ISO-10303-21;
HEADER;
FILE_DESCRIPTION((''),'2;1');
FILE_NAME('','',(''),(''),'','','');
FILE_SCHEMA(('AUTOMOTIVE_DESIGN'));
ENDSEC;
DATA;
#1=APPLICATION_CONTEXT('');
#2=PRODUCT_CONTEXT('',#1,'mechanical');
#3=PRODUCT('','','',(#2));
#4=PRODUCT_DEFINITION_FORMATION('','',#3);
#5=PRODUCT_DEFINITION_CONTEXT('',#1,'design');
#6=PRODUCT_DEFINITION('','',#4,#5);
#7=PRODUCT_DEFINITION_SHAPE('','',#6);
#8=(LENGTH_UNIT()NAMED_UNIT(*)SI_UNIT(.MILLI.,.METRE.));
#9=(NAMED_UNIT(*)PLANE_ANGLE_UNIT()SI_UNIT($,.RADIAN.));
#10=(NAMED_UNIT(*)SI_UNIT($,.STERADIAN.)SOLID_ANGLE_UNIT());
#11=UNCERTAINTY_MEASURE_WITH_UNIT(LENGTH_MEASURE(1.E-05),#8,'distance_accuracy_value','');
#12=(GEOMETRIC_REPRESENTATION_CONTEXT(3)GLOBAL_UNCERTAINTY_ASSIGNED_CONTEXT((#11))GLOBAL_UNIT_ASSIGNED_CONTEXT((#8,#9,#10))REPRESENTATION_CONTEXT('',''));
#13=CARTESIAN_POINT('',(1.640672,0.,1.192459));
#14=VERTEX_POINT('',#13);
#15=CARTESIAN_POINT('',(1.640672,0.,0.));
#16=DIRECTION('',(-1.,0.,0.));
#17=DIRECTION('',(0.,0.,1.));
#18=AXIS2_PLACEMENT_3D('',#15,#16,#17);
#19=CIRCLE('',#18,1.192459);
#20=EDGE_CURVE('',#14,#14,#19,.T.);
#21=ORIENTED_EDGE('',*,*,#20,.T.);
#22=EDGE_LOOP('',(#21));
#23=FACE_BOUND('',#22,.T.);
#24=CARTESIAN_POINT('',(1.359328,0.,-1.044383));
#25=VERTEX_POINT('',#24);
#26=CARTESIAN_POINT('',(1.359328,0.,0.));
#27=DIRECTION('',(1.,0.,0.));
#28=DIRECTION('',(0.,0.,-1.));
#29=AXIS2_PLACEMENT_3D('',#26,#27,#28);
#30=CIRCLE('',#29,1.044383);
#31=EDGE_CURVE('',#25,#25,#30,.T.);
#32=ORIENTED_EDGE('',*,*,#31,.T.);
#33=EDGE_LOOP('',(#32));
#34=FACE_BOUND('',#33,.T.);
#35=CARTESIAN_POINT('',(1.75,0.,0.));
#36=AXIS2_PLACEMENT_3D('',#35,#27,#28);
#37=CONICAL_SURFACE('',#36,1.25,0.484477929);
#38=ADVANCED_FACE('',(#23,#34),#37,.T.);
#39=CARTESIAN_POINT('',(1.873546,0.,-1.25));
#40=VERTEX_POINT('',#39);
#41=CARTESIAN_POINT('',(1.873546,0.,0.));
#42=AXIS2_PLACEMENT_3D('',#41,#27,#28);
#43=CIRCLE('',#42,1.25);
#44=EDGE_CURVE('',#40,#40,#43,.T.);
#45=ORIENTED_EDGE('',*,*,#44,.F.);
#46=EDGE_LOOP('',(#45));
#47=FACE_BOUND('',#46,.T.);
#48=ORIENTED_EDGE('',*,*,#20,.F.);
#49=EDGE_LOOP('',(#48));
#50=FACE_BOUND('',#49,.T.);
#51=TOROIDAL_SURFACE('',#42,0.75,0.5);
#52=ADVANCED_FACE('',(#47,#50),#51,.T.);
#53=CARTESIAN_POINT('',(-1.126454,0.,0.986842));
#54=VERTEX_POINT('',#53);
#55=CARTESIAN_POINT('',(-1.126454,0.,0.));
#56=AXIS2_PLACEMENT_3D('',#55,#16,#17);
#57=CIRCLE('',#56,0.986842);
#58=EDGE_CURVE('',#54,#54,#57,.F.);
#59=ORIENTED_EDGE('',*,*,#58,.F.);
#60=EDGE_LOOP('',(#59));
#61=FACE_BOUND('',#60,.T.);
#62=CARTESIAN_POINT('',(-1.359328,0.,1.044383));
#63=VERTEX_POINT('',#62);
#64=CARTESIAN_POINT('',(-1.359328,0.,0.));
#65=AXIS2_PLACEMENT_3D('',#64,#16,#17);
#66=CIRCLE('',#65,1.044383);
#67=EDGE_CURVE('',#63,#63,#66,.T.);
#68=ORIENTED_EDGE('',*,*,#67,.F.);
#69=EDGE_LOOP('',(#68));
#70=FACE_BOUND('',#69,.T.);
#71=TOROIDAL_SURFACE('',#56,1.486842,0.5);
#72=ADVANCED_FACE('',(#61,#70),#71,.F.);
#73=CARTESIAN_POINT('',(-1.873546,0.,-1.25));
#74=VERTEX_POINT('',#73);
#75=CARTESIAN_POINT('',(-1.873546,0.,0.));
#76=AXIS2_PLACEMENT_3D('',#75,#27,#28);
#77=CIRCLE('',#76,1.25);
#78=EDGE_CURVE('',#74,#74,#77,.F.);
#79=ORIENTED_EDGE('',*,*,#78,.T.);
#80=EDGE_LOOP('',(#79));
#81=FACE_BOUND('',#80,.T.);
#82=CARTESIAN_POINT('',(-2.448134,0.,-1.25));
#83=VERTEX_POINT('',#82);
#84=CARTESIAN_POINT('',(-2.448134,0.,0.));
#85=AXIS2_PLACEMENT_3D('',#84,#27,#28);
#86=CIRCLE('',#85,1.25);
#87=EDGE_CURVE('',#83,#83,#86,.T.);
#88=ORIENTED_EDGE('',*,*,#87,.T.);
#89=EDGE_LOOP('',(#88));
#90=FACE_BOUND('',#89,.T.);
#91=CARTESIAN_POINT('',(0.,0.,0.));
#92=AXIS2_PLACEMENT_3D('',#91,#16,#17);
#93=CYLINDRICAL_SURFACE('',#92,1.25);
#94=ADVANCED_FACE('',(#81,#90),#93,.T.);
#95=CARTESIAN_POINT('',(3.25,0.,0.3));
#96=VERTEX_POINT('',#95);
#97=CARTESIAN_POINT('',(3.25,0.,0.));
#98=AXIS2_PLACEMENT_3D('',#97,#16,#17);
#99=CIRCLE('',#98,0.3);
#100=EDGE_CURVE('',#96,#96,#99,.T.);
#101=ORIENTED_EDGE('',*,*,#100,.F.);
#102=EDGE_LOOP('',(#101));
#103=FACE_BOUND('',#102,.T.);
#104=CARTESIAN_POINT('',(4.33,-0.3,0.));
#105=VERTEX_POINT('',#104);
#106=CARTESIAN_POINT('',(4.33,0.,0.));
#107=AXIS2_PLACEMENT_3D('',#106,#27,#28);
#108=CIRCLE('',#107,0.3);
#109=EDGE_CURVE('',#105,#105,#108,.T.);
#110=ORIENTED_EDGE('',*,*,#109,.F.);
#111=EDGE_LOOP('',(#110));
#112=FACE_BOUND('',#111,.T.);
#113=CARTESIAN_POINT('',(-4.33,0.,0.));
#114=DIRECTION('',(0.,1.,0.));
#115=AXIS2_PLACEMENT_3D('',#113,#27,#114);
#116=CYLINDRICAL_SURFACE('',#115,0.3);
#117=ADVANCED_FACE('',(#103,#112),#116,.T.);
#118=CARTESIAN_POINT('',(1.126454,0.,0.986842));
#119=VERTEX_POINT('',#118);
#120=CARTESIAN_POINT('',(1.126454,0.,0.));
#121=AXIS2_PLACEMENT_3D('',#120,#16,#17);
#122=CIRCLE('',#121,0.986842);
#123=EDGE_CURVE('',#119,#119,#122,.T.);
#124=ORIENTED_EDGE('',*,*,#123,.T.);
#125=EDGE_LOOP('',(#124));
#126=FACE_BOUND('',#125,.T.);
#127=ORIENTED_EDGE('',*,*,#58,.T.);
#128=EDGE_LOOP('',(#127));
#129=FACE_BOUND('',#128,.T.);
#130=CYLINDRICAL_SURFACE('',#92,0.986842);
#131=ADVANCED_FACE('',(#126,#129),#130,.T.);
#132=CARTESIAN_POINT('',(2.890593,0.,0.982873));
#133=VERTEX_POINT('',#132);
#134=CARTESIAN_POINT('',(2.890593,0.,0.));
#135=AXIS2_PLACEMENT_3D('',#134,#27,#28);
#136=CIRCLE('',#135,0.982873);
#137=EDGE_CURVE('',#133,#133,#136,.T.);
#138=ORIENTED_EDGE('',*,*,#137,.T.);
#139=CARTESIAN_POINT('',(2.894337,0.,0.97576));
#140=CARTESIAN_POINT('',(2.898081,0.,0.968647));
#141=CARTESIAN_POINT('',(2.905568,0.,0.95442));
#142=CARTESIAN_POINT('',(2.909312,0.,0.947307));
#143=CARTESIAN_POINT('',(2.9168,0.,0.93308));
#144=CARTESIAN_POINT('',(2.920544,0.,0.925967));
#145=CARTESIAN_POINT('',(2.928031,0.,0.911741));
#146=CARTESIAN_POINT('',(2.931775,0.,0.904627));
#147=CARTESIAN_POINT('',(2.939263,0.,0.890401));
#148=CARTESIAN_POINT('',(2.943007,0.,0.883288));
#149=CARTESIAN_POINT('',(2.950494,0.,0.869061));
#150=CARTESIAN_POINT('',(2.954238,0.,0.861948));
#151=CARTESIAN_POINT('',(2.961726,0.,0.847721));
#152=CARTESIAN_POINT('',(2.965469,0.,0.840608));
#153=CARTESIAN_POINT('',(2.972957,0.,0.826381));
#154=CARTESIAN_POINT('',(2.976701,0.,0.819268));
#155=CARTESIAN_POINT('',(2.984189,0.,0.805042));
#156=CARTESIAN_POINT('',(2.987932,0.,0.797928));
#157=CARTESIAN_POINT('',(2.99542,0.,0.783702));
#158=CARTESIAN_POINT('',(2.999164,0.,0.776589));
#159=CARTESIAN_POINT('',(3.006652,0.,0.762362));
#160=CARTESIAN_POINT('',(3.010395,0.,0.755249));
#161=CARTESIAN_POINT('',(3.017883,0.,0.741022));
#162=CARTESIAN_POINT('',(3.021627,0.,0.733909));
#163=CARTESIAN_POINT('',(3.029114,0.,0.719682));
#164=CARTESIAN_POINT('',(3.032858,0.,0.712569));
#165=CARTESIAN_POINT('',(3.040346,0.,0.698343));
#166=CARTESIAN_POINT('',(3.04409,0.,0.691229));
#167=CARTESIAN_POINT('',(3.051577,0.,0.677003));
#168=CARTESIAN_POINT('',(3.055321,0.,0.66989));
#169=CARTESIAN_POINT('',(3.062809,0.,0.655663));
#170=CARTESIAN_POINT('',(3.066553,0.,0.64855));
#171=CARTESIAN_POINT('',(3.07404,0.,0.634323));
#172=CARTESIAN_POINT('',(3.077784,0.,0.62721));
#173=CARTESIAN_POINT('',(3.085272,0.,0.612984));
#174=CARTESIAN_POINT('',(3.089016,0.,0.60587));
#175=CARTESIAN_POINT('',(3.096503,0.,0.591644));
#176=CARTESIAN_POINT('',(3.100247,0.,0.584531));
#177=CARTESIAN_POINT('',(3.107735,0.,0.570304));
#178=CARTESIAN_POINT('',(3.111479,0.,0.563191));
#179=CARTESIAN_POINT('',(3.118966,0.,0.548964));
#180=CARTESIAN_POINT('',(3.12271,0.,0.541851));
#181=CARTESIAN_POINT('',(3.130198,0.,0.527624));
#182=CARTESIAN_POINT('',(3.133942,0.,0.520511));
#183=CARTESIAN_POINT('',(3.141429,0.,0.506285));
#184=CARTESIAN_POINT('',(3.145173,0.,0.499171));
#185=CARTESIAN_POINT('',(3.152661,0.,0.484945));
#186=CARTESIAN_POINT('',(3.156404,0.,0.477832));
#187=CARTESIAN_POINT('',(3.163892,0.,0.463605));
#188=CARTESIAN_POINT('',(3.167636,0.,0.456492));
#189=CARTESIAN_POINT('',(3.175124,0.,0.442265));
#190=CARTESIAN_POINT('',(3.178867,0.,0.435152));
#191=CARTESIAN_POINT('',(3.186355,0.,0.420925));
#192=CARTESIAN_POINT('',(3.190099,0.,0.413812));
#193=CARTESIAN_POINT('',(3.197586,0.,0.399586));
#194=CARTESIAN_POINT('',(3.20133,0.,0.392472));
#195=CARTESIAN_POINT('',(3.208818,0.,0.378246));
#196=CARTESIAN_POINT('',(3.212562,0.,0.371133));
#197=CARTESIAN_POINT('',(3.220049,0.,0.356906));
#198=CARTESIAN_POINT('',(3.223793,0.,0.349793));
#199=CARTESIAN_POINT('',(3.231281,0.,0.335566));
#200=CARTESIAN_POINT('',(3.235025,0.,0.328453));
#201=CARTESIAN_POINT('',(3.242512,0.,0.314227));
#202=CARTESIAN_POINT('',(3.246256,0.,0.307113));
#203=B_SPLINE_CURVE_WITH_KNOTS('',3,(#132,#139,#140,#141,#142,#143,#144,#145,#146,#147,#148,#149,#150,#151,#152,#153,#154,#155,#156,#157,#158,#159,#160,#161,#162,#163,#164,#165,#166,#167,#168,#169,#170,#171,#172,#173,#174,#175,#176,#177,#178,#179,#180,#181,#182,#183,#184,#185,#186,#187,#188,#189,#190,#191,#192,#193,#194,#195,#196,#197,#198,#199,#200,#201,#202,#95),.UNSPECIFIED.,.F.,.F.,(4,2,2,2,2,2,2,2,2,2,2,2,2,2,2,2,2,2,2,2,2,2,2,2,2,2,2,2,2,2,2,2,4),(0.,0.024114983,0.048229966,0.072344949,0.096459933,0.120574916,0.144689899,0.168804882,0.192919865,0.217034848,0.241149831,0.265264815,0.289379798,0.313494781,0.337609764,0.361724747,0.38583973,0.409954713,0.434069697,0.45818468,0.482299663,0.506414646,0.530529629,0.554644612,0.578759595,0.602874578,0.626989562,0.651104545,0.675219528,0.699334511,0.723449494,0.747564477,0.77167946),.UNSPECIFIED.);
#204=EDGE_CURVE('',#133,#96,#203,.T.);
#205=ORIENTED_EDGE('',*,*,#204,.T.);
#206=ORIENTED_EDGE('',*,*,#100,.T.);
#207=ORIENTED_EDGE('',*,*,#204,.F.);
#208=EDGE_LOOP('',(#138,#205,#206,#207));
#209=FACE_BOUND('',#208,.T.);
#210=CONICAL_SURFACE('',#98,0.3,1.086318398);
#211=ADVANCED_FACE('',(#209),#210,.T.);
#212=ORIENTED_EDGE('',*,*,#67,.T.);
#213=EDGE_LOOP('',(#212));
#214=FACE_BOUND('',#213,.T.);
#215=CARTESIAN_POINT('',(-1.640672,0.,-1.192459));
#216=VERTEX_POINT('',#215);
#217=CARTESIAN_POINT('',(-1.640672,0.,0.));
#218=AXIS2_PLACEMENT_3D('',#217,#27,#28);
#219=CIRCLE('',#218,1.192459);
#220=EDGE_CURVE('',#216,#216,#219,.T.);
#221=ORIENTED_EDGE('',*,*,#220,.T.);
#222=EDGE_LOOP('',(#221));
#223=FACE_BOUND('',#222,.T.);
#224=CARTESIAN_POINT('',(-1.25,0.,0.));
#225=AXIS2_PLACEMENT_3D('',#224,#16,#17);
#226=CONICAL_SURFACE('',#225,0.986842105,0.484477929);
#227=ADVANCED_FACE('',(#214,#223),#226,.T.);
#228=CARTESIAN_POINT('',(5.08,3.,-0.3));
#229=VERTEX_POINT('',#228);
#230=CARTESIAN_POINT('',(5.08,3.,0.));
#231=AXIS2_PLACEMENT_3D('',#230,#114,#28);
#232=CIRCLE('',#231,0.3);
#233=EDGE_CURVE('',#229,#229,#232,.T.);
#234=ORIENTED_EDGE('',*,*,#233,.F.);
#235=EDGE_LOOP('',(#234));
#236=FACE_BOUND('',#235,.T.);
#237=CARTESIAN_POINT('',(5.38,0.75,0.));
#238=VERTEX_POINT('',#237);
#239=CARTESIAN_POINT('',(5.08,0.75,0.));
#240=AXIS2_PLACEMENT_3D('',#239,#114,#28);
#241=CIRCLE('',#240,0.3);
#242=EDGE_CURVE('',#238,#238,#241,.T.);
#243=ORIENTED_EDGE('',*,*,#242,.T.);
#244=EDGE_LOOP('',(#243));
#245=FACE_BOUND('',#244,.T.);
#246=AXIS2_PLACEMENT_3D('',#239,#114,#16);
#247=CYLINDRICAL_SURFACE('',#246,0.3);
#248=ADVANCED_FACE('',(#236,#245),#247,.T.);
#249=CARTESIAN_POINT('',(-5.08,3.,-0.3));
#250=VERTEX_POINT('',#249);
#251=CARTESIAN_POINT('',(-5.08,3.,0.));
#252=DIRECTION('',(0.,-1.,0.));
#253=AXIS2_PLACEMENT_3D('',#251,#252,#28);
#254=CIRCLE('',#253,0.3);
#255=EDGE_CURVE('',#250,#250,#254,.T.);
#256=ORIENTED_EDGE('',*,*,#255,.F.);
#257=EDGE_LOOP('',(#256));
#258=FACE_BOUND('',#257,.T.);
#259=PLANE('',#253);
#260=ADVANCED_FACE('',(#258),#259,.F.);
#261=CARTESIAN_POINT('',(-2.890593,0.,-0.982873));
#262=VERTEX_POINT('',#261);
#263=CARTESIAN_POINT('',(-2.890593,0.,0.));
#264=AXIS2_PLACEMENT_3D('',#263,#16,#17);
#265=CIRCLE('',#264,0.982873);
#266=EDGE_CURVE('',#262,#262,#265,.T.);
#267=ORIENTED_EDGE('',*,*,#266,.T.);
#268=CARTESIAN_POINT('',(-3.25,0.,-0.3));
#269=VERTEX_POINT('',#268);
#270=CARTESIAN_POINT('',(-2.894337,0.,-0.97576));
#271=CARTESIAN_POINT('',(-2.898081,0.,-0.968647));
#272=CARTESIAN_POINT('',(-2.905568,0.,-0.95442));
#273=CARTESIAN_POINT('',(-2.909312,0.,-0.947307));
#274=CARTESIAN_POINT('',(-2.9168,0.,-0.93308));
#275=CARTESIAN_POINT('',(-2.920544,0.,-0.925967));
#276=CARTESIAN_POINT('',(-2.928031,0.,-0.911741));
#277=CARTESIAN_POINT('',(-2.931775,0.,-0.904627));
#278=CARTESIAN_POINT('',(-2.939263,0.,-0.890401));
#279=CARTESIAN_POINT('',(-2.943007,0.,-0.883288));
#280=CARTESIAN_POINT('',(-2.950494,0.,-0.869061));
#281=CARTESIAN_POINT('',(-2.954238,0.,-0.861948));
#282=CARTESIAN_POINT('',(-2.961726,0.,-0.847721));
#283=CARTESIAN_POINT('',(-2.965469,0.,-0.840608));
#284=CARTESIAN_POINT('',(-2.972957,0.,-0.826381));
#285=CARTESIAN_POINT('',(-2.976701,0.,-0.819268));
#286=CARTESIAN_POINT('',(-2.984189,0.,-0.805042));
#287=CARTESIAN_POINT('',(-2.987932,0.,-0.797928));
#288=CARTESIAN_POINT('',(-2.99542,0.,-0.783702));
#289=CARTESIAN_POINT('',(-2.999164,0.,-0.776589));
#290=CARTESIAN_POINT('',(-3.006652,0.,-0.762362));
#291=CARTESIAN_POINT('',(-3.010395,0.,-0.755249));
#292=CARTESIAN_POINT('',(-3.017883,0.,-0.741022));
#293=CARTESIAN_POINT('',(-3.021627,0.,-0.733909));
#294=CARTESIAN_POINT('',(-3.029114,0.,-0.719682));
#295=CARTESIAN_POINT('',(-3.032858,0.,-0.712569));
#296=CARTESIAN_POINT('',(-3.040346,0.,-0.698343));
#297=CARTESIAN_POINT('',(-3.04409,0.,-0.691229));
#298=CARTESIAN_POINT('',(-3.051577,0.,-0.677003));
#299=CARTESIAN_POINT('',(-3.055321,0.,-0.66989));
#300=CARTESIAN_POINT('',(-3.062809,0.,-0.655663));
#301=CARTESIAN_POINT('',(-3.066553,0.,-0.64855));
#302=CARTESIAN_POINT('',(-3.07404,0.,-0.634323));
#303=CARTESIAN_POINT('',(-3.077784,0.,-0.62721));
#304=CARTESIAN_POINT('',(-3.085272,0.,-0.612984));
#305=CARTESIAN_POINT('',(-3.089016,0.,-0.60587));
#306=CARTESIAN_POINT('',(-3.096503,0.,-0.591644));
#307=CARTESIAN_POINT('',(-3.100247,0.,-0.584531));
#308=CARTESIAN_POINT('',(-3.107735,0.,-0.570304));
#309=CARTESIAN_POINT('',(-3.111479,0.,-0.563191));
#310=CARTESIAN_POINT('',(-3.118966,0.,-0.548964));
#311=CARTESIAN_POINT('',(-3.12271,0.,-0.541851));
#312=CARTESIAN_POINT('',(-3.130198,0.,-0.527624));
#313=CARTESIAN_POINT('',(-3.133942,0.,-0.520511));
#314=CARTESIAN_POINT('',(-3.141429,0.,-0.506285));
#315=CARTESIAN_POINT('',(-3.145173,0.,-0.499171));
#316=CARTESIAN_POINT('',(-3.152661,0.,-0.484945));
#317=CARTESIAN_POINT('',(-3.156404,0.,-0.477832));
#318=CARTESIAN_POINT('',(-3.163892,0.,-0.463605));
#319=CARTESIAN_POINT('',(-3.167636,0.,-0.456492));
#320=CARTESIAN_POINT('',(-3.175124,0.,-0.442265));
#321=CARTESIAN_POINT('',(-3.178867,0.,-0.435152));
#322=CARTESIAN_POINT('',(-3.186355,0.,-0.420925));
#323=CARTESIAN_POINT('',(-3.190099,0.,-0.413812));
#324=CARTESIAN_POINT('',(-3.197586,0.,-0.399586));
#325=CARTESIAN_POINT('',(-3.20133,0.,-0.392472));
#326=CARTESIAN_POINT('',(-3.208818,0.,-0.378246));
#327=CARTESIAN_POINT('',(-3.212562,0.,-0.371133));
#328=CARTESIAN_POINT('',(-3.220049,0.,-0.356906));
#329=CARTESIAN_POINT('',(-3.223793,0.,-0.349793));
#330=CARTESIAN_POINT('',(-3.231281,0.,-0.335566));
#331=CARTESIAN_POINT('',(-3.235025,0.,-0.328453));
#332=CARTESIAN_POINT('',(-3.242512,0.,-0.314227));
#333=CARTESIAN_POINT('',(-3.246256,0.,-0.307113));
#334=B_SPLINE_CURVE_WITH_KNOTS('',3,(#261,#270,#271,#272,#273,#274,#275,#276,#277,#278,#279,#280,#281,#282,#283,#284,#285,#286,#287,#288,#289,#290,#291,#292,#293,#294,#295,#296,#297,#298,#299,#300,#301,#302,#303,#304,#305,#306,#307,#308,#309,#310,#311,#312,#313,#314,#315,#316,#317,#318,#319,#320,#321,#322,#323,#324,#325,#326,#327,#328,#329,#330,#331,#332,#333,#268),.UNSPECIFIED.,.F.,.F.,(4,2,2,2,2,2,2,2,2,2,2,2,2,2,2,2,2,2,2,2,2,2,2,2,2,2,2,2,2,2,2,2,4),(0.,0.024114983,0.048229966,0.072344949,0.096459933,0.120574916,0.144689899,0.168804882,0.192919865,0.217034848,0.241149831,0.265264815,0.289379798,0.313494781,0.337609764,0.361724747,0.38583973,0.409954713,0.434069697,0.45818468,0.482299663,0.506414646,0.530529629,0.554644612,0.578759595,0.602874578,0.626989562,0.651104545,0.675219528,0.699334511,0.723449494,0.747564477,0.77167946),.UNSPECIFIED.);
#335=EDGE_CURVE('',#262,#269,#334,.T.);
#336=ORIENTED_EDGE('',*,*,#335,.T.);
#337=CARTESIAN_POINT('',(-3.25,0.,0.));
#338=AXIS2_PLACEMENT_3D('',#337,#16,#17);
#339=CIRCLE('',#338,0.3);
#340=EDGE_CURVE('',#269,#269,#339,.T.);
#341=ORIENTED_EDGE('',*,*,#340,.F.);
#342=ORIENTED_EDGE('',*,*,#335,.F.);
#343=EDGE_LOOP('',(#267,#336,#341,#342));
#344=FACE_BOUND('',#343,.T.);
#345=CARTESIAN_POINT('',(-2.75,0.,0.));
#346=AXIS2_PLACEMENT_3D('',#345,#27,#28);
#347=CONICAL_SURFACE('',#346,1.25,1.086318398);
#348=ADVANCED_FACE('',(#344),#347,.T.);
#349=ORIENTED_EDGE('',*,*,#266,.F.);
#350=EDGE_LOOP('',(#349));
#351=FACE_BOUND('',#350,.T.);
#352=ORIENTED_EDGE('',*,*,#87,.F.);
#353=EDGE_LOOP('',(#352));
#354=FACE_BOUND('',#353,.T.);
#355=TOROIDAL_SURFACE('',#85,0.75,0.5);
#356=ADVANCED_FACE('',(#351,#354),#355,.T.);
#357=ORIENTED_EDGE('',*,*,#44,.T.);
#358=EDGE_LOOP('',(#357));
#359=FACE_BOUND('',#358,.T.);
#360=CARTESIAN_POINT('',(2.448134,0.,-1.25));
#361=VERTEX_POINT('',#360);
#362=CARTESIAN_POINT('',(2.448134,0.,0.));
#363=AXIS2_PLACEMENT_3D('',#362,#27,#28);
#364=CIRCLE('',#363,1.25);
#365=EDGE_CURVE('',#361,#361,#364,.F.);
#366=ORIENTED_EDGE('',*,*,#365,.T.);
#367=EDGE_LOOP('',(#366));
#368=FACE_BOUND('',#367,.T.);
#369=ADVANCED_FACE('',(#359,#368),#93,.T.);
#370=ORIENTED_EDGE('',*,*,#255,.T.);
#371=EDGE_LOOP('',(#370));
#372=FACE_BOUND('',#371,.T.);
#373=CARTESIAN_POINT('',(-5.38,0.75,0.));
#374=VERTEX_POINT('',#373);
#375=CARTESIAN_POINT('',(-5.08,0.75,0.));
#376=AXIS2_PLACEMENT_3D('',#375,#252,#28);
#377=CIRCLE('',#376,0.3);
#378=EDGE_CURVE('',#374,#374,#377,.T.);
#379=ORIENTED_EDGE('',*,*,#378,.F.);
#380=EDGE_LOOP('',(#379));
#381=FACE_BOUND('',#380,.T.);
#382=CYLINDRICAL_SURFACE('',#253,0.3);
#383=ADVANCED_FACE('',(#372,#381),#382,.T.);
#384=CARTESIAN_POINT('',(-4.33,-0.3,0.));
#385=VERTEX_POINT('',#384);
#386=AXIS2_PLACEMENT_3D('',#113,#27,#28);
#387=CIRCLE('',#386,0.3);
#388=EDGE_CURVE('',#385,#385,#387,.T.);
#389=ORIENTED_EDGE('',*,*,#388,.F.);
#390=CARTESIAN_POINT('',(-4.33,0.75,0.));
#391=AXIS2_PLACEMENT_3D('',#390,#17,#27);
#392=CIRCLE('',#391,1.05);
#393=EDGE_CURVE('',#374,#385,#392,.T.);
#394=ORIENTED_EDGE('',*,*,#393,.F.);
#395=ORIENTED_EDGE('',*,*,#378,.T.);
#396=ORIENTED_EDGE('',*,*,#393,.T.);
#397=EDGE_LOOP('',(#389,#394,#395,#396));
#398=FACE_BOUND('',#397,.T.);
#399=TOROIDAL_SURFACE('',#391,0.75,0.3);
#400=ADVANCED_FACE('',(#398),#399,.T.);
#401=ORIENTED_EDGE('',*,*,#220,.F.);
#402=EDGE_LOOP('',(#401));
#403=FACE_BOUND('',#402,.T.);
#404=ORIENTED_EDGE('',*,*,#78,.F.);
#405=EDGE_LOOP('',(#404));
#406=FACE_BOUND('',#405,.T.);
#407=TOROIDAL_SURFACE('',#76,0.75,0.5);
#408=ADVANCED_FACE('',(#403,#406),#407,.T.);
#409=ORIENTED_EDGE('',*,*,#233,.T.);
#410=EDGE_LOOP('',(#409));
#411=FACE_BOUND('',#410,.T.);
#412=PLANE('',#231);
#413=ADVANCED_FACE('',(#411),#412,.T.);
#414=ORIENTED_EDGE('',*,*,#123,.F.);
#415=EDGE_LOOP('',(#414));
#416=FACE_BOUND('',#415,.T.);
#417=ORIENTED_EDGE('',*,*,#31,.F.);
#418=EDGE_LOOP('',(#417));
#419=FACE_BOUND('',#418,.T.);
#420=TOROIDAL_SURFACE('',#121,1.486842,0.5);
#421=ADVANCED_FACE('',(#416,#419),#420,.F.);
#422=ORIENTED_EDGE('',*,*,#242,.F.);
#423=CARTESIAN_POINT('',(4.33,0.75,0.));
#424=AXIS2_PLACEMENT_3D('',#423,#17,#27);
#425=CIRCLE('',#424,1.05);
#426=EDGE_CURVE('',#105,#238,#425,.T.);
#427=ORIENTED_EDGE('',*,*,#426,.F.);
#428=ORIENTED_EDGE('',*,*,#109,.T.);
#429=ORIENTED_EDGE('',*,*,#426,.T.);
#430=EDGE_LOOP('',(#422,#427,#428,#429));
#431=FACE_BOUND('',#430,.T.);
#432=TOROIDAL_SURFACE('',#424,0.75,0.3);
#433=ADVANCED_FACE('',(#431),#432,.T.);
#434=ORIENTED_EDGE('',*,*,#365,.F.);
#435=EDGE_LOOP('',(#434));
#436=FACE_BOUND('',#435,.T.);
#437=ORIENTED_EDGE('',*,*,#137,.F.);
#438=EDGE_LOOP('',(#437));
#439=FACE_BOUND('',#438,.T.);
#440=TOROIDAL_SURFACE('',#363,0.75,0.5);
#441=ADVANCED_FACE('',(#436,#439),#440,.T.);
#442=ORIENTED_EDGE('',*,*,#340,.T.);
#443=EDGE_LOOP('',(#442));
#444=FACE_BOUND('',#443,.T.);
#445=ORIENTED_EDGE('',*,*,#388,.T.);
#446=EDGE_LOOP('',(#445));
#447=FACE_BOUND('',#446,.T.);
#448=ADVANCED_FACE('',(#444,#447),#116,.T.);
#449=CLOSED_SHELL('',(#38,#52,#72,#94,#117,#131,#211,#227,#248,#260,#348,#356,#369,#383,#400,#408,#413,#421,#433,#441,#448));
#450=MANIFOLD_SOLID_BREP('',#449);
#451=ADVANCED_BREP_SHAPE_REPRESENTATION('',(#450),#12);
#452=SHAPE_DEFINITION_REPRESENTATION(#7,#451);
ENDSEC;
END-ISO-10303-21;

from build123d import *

# Parameters (mm, degrees)
FILLET1_R = 0.5
SKETCH4_R = 0.3


with BuildPart() as part:
    # Sketch1 → Revolve1 (revolve)
    with BuildSketch(Plane.XY, mode=Mode.PRIVATE) as revolve1_sk:
        Polygon((0, 0), (3.25, 0), (3.25, 0.3), (2.75, 1.25), (1.75, 1.25), (1.25, 0.986842105), (-1.25, 0.986842105), (-1.75, 1.25), (-2.75, 1.25), (-3.25, 0.3), (-3.25, 0), align=None)
    revolve(revolve1_sk.sketch.rotate(Axis((0, 0, 0), (1, 0, 0)), 90), axis=Axis((0, 0, 0), (1, 0, 0)))

    # Fillet1
    fillet1_edges = [part.edges().sort_by_distance(p)[0] for p in [
        (1.75, 0, -1.25),
        (2.75, 0, -1.25),
        (-2.75, 0, -1.25),
        (-1.75, 0, -1.25),
        (-1.25, 0, -0.986842105),
        (1.25, 0, -0.986842105),
    ]]
    fillet(fillet1_edges, radius=FILLET1_R)

    # Sweep1: sweep along a path in Sketch6
    with BuildLine(Plane.XY) as sweep1_path:
        Line((5.08, 3), (5.08, 0.75))
        ThreePointArc((5.08, 0.75), (4.860330086, 0.219669914), (4.33, 0))
        Line((4.33, 0), (3.25, 0))
        Line((3.25, 0), (-4.33, 0))
        ThreePointArc((-4.33, 0), (-4.860330086, 0.219669914), (-5.08, 0.75))
        Line((-5.08, 0.75), (-5.08, 3))
    # Sketch4 → Sweep1 (sweep)
    with BuildSketch(Plane(origin=(3.25, 0, 0), x_dir=(0, 0, -1), z_dir=(1, 0, 0))):
        Circle(SKETCH4_R)
    sweep(path=sweep1_path.line)


solid = part.part
